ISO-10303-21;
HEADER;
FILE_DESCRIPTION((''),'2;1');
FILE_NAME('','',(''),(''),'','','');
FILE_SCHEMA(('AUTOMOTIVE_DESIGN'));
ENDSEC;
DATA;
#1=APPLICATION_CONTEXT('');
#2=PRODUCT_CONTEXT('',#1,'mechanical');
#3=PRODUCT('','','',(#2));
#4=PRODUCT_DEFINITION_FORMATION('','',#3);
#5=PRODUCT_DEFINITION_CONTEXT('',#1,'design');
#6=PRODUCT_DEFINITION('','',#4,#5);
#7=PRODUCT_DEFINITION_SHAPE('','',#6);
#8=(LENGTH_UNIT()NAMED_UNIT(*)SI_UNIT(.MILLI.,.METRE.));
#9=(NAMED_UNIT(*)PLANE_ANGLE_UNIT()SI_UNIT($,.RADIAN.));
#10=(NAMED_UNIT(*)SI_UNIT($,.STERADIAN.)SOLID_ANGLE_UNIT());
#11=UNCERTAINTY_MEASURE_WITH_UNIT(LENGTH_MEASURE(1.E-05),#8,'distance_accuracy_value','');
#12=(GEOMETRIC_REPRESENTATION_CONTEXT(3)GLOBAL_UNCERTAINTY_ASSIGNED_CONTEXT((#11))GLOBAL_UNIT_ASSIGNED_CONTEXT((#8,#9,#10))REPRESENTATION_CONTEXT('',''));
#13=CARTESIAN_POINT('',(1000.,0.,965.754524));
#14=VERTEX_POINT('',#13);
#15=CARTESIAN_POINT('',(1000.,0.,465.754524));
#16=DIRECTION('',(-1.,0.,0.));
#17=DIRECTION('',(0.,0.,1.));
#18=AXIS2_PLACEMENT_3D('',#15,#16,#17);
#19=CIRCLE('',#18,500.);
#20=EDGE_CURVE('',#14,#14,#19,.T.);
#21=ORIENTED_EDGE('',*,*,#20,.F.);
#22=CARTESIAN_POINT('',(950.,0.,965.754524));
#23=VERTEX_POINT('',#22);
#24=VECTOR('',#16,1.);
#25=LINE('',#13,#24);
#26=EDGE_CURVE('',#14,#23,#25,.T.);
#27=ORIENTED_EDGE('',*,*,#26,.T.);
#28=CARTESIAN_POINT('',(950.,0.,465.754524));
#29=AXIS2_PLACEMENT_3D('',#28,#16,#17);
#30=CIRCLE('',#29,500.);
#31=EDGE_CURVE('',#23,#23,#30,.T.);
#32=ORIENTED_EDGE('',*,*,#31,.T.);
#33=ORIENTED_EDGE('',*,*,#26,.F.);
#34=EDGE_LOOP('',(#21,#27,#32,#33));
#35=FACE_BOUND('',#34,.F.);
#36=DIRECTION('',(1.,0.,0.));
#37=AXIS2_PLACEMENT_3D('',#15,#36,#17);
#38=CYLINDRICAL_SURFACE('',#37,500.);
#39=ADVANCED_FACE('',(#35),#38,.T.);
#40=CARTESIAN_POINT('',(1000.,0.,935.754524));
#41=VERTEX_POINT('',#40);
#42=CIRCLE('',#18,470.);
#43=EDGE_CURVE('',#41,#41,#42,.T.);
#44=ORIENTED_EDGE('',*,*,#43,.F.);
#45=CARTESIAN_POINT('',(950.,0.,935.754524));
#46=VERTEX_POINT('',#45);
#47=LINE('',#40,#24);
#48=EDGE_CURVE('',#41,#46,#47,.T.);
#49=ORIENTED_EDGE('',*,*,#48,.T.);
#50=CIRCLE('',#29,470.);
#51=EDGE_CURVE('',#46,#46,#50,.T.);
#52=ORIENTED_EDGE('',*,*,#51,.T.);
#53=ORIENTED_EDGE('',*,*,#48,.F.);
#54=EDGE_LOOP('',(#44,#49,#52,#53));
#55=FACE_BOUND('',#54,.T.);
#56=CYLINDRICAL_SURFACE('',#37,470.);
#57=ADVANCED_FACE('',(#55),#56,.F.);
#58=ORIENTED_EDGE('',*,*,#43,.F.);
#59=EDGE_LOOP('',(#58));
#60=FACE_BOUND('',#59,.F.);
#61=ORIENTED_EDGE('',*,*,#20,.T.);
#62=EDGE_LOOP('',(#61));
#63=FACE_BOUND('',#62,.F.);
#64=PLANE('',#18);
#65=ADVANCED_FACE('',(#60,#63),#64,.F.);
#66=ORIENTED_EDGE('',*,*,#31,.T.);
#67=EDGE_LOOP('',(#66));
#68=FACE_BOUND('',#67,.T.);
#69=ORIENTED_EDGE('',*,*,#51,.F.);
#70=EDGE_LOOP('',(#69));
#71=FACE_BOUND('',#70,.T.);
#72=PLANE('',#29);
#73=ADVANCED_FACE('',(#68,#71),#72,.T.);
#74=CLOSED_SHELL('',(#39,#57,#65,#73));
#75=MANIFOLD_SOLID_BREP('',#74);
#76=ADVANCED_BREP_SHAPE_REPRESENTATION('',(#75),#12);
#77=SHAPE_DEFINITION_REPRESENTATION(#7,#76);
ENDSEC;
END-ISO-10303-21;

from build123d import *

# Parameters (mm, degrees)
CYLINDER001_R     = 470
CYLINDER001_DEPTH = 50
CYLINDER002_R     = 500
CYLINDER002_DEPTH = 50


with BuildPart() as cilindro001:
    # Cylinder001 → Cylinder001 (new body)
    with BuildSketch(Plane(origin=(1000, 0, 465.754524), x_dir=(0, 0, 1), z_dir=(-1, 0, 0))):
        Circle(CYLINDER001_R)
    extrude(amount=CYLINDER001_DEPTH)


with BuildPart() as cut:
    # Cylinder002 → Cylinder002 (new body)
    with BuildSketch(Plane(origin=(1000, 0, 465.754524), x_dir=(0, 0, 1), z_dir=(-1, 0, 0))):
        Circle(CYLINDER002_R)
    extrude(amount=CYLINDER002_DEPTH)

    # Cut: cut Cilindro001
    add(cilindro001.part, mode=Mode.SUBTRACT)


solid = cut.part
